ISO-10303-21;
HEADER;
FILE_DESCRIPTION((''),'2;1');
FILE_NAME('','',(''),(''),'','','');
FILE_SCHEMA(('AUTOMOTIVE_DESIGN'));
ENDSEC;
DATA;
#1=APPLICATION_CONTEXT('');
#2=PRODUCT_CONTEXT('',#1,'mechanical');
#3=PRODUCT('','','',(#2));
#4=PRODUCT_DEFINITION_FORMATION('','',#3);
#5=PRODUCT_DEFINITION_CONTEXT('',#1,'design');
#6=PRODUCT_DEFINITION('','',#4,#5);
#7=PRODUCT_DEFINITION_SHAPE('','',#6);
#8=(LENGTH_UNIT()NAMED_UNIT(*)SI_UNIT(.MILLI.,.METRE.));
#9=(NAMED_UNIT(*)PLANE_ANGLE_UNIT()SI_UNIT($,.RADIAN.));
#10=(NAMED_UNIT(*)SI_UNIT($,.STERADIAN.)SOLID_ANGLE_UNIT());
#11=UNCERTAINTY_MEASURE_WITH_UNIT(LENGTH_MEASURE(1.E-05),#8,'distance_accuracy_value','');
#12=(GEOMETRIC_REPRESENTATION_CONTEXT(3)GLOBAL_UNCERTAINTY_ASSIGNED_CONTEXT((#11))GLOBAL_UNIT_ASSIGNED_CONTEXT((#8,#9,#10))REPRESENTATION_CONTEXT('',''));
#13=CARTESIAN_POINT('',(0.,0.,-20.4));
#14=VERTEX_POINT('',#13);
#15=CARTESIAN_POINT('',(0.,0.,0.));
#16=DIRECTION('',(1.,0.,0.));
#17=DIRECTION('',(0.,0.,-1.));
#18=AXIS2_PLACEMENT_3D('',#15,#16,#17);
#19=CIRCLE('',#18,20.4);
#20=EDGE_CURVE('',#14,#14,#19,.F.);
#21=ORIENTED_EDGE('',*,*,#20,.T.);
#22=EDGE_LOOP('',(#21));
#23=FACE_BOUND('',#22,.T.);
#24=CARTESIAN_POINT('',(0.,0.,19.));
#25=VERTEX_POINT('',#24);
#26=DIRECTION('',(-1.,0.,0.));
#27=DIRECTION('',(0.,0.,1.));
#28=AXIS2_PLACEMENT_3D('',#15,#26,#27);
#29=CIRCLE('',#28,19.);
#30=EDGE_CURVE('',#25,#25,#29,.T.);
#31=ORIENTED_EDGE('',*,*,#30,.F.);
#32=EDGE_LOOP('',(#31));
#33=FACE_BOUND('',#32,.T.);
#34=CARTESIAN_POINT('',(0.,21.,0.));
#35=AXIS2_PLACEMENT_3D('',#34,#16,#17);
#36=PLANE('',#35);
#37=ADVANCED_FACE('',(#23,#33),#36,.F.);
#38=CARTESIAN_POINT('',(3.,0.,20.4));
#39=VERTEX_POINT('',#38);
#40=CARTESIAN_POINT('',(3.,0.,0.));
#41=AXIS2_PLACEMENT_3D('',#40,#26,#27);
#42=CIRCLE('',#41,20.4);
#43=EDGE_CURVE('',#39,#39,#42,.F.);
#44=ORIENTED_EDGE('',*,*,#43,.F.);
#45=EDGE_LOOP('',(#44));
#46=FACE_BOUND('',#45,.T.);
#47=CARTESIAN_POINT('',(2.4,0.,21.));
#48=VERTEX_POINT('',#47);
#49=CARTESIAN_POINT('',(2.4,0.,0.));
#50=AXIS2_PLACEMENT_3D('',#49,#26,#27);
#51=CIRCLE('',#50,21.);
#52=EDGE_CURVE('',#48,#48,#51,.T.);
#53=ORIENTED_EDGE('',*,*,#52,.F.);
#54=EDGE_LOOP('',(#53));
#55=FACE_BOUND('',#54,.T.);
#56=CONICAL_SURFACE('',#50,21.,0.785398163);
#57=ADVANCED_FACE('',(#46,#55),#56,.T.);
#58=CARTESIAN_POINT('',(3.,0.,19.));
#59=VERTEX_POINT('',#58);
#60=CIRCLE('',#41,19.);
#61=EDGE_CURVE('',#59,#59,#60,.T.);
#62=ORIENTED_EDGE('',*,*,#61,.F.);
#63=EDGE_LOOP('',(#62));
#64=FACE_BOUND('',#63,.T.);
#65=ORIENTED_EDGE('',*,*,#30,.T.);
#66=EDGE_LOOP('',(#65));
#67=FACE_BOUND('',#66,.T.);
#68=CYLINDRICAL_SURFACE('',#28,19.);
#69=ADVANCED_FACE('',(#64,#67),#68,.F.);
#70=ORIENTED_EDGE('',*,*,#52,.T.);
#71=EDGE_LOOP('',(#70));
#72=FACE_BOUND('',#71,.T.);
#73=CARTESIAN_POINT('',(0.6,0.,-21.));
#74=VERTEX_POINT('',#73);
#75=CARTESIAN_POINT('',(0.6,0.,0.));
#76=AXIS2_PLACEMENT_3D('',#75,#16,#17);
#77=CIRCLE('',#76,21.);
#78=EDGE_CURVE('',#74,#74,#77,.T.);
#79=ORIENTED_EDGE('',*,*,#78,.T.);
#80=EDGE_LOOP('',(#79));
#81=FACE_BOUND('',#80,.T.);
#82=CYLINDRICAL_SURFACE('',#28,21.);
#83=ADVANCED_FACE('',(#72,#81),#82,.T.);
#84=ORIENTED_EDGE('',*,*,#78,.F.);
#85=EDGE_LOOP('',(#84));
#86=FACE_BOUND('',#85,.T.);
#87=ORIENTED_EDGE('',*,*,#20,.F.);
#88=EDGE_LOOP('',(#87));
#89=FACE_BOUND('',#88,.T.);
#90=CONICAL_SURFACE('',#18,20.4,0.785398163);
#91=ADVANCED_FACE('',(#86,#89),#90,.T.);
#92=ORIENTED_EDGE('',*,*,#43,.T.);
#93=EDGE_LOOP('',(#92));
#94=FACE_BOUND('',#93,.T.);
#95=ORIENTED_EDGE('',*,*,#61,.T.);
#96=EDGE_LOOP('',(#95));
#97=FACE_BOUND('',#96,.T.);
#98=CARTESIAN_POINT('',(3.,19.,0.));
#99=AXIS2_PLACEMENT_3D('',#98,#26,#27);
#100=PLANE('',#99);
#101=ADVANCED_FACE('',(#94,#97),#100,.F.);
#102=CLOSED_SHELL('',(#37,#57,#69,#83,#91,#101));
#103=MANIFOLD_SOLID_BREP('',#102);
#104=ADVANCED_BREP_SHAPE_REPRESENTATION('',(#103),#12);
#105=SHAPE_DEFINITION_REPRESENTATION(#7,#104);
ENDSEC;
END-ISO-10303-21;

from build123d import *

# Parameters (mm, degrees)
SKETCH_1_W     = 3
SKETCH_1_H     = 2
CHAMFER_1_SIZE = 0.6


with BuildPart() as part:
    # Эскиз1 → Повернуть1 (revolve)
    with BuildSketch(Plane.XY):
        with Locations((1.5, 20)):
            Rectangle(SKETCH_1_W, SKETCH_1_H)
    revolve(axis=Axis((0, 0, 0), (1, 0, 0)))

    # Фаска1
    chamfer_1_edges = [part.edges().sort_by_distance(p)[0] for p in [
        (0, -21, 0),
        (3, -21, 0),
    ]]
    chamfer(chamfer_1_edges, length=CHAMFER_1_SIZE)


solid = part.part
